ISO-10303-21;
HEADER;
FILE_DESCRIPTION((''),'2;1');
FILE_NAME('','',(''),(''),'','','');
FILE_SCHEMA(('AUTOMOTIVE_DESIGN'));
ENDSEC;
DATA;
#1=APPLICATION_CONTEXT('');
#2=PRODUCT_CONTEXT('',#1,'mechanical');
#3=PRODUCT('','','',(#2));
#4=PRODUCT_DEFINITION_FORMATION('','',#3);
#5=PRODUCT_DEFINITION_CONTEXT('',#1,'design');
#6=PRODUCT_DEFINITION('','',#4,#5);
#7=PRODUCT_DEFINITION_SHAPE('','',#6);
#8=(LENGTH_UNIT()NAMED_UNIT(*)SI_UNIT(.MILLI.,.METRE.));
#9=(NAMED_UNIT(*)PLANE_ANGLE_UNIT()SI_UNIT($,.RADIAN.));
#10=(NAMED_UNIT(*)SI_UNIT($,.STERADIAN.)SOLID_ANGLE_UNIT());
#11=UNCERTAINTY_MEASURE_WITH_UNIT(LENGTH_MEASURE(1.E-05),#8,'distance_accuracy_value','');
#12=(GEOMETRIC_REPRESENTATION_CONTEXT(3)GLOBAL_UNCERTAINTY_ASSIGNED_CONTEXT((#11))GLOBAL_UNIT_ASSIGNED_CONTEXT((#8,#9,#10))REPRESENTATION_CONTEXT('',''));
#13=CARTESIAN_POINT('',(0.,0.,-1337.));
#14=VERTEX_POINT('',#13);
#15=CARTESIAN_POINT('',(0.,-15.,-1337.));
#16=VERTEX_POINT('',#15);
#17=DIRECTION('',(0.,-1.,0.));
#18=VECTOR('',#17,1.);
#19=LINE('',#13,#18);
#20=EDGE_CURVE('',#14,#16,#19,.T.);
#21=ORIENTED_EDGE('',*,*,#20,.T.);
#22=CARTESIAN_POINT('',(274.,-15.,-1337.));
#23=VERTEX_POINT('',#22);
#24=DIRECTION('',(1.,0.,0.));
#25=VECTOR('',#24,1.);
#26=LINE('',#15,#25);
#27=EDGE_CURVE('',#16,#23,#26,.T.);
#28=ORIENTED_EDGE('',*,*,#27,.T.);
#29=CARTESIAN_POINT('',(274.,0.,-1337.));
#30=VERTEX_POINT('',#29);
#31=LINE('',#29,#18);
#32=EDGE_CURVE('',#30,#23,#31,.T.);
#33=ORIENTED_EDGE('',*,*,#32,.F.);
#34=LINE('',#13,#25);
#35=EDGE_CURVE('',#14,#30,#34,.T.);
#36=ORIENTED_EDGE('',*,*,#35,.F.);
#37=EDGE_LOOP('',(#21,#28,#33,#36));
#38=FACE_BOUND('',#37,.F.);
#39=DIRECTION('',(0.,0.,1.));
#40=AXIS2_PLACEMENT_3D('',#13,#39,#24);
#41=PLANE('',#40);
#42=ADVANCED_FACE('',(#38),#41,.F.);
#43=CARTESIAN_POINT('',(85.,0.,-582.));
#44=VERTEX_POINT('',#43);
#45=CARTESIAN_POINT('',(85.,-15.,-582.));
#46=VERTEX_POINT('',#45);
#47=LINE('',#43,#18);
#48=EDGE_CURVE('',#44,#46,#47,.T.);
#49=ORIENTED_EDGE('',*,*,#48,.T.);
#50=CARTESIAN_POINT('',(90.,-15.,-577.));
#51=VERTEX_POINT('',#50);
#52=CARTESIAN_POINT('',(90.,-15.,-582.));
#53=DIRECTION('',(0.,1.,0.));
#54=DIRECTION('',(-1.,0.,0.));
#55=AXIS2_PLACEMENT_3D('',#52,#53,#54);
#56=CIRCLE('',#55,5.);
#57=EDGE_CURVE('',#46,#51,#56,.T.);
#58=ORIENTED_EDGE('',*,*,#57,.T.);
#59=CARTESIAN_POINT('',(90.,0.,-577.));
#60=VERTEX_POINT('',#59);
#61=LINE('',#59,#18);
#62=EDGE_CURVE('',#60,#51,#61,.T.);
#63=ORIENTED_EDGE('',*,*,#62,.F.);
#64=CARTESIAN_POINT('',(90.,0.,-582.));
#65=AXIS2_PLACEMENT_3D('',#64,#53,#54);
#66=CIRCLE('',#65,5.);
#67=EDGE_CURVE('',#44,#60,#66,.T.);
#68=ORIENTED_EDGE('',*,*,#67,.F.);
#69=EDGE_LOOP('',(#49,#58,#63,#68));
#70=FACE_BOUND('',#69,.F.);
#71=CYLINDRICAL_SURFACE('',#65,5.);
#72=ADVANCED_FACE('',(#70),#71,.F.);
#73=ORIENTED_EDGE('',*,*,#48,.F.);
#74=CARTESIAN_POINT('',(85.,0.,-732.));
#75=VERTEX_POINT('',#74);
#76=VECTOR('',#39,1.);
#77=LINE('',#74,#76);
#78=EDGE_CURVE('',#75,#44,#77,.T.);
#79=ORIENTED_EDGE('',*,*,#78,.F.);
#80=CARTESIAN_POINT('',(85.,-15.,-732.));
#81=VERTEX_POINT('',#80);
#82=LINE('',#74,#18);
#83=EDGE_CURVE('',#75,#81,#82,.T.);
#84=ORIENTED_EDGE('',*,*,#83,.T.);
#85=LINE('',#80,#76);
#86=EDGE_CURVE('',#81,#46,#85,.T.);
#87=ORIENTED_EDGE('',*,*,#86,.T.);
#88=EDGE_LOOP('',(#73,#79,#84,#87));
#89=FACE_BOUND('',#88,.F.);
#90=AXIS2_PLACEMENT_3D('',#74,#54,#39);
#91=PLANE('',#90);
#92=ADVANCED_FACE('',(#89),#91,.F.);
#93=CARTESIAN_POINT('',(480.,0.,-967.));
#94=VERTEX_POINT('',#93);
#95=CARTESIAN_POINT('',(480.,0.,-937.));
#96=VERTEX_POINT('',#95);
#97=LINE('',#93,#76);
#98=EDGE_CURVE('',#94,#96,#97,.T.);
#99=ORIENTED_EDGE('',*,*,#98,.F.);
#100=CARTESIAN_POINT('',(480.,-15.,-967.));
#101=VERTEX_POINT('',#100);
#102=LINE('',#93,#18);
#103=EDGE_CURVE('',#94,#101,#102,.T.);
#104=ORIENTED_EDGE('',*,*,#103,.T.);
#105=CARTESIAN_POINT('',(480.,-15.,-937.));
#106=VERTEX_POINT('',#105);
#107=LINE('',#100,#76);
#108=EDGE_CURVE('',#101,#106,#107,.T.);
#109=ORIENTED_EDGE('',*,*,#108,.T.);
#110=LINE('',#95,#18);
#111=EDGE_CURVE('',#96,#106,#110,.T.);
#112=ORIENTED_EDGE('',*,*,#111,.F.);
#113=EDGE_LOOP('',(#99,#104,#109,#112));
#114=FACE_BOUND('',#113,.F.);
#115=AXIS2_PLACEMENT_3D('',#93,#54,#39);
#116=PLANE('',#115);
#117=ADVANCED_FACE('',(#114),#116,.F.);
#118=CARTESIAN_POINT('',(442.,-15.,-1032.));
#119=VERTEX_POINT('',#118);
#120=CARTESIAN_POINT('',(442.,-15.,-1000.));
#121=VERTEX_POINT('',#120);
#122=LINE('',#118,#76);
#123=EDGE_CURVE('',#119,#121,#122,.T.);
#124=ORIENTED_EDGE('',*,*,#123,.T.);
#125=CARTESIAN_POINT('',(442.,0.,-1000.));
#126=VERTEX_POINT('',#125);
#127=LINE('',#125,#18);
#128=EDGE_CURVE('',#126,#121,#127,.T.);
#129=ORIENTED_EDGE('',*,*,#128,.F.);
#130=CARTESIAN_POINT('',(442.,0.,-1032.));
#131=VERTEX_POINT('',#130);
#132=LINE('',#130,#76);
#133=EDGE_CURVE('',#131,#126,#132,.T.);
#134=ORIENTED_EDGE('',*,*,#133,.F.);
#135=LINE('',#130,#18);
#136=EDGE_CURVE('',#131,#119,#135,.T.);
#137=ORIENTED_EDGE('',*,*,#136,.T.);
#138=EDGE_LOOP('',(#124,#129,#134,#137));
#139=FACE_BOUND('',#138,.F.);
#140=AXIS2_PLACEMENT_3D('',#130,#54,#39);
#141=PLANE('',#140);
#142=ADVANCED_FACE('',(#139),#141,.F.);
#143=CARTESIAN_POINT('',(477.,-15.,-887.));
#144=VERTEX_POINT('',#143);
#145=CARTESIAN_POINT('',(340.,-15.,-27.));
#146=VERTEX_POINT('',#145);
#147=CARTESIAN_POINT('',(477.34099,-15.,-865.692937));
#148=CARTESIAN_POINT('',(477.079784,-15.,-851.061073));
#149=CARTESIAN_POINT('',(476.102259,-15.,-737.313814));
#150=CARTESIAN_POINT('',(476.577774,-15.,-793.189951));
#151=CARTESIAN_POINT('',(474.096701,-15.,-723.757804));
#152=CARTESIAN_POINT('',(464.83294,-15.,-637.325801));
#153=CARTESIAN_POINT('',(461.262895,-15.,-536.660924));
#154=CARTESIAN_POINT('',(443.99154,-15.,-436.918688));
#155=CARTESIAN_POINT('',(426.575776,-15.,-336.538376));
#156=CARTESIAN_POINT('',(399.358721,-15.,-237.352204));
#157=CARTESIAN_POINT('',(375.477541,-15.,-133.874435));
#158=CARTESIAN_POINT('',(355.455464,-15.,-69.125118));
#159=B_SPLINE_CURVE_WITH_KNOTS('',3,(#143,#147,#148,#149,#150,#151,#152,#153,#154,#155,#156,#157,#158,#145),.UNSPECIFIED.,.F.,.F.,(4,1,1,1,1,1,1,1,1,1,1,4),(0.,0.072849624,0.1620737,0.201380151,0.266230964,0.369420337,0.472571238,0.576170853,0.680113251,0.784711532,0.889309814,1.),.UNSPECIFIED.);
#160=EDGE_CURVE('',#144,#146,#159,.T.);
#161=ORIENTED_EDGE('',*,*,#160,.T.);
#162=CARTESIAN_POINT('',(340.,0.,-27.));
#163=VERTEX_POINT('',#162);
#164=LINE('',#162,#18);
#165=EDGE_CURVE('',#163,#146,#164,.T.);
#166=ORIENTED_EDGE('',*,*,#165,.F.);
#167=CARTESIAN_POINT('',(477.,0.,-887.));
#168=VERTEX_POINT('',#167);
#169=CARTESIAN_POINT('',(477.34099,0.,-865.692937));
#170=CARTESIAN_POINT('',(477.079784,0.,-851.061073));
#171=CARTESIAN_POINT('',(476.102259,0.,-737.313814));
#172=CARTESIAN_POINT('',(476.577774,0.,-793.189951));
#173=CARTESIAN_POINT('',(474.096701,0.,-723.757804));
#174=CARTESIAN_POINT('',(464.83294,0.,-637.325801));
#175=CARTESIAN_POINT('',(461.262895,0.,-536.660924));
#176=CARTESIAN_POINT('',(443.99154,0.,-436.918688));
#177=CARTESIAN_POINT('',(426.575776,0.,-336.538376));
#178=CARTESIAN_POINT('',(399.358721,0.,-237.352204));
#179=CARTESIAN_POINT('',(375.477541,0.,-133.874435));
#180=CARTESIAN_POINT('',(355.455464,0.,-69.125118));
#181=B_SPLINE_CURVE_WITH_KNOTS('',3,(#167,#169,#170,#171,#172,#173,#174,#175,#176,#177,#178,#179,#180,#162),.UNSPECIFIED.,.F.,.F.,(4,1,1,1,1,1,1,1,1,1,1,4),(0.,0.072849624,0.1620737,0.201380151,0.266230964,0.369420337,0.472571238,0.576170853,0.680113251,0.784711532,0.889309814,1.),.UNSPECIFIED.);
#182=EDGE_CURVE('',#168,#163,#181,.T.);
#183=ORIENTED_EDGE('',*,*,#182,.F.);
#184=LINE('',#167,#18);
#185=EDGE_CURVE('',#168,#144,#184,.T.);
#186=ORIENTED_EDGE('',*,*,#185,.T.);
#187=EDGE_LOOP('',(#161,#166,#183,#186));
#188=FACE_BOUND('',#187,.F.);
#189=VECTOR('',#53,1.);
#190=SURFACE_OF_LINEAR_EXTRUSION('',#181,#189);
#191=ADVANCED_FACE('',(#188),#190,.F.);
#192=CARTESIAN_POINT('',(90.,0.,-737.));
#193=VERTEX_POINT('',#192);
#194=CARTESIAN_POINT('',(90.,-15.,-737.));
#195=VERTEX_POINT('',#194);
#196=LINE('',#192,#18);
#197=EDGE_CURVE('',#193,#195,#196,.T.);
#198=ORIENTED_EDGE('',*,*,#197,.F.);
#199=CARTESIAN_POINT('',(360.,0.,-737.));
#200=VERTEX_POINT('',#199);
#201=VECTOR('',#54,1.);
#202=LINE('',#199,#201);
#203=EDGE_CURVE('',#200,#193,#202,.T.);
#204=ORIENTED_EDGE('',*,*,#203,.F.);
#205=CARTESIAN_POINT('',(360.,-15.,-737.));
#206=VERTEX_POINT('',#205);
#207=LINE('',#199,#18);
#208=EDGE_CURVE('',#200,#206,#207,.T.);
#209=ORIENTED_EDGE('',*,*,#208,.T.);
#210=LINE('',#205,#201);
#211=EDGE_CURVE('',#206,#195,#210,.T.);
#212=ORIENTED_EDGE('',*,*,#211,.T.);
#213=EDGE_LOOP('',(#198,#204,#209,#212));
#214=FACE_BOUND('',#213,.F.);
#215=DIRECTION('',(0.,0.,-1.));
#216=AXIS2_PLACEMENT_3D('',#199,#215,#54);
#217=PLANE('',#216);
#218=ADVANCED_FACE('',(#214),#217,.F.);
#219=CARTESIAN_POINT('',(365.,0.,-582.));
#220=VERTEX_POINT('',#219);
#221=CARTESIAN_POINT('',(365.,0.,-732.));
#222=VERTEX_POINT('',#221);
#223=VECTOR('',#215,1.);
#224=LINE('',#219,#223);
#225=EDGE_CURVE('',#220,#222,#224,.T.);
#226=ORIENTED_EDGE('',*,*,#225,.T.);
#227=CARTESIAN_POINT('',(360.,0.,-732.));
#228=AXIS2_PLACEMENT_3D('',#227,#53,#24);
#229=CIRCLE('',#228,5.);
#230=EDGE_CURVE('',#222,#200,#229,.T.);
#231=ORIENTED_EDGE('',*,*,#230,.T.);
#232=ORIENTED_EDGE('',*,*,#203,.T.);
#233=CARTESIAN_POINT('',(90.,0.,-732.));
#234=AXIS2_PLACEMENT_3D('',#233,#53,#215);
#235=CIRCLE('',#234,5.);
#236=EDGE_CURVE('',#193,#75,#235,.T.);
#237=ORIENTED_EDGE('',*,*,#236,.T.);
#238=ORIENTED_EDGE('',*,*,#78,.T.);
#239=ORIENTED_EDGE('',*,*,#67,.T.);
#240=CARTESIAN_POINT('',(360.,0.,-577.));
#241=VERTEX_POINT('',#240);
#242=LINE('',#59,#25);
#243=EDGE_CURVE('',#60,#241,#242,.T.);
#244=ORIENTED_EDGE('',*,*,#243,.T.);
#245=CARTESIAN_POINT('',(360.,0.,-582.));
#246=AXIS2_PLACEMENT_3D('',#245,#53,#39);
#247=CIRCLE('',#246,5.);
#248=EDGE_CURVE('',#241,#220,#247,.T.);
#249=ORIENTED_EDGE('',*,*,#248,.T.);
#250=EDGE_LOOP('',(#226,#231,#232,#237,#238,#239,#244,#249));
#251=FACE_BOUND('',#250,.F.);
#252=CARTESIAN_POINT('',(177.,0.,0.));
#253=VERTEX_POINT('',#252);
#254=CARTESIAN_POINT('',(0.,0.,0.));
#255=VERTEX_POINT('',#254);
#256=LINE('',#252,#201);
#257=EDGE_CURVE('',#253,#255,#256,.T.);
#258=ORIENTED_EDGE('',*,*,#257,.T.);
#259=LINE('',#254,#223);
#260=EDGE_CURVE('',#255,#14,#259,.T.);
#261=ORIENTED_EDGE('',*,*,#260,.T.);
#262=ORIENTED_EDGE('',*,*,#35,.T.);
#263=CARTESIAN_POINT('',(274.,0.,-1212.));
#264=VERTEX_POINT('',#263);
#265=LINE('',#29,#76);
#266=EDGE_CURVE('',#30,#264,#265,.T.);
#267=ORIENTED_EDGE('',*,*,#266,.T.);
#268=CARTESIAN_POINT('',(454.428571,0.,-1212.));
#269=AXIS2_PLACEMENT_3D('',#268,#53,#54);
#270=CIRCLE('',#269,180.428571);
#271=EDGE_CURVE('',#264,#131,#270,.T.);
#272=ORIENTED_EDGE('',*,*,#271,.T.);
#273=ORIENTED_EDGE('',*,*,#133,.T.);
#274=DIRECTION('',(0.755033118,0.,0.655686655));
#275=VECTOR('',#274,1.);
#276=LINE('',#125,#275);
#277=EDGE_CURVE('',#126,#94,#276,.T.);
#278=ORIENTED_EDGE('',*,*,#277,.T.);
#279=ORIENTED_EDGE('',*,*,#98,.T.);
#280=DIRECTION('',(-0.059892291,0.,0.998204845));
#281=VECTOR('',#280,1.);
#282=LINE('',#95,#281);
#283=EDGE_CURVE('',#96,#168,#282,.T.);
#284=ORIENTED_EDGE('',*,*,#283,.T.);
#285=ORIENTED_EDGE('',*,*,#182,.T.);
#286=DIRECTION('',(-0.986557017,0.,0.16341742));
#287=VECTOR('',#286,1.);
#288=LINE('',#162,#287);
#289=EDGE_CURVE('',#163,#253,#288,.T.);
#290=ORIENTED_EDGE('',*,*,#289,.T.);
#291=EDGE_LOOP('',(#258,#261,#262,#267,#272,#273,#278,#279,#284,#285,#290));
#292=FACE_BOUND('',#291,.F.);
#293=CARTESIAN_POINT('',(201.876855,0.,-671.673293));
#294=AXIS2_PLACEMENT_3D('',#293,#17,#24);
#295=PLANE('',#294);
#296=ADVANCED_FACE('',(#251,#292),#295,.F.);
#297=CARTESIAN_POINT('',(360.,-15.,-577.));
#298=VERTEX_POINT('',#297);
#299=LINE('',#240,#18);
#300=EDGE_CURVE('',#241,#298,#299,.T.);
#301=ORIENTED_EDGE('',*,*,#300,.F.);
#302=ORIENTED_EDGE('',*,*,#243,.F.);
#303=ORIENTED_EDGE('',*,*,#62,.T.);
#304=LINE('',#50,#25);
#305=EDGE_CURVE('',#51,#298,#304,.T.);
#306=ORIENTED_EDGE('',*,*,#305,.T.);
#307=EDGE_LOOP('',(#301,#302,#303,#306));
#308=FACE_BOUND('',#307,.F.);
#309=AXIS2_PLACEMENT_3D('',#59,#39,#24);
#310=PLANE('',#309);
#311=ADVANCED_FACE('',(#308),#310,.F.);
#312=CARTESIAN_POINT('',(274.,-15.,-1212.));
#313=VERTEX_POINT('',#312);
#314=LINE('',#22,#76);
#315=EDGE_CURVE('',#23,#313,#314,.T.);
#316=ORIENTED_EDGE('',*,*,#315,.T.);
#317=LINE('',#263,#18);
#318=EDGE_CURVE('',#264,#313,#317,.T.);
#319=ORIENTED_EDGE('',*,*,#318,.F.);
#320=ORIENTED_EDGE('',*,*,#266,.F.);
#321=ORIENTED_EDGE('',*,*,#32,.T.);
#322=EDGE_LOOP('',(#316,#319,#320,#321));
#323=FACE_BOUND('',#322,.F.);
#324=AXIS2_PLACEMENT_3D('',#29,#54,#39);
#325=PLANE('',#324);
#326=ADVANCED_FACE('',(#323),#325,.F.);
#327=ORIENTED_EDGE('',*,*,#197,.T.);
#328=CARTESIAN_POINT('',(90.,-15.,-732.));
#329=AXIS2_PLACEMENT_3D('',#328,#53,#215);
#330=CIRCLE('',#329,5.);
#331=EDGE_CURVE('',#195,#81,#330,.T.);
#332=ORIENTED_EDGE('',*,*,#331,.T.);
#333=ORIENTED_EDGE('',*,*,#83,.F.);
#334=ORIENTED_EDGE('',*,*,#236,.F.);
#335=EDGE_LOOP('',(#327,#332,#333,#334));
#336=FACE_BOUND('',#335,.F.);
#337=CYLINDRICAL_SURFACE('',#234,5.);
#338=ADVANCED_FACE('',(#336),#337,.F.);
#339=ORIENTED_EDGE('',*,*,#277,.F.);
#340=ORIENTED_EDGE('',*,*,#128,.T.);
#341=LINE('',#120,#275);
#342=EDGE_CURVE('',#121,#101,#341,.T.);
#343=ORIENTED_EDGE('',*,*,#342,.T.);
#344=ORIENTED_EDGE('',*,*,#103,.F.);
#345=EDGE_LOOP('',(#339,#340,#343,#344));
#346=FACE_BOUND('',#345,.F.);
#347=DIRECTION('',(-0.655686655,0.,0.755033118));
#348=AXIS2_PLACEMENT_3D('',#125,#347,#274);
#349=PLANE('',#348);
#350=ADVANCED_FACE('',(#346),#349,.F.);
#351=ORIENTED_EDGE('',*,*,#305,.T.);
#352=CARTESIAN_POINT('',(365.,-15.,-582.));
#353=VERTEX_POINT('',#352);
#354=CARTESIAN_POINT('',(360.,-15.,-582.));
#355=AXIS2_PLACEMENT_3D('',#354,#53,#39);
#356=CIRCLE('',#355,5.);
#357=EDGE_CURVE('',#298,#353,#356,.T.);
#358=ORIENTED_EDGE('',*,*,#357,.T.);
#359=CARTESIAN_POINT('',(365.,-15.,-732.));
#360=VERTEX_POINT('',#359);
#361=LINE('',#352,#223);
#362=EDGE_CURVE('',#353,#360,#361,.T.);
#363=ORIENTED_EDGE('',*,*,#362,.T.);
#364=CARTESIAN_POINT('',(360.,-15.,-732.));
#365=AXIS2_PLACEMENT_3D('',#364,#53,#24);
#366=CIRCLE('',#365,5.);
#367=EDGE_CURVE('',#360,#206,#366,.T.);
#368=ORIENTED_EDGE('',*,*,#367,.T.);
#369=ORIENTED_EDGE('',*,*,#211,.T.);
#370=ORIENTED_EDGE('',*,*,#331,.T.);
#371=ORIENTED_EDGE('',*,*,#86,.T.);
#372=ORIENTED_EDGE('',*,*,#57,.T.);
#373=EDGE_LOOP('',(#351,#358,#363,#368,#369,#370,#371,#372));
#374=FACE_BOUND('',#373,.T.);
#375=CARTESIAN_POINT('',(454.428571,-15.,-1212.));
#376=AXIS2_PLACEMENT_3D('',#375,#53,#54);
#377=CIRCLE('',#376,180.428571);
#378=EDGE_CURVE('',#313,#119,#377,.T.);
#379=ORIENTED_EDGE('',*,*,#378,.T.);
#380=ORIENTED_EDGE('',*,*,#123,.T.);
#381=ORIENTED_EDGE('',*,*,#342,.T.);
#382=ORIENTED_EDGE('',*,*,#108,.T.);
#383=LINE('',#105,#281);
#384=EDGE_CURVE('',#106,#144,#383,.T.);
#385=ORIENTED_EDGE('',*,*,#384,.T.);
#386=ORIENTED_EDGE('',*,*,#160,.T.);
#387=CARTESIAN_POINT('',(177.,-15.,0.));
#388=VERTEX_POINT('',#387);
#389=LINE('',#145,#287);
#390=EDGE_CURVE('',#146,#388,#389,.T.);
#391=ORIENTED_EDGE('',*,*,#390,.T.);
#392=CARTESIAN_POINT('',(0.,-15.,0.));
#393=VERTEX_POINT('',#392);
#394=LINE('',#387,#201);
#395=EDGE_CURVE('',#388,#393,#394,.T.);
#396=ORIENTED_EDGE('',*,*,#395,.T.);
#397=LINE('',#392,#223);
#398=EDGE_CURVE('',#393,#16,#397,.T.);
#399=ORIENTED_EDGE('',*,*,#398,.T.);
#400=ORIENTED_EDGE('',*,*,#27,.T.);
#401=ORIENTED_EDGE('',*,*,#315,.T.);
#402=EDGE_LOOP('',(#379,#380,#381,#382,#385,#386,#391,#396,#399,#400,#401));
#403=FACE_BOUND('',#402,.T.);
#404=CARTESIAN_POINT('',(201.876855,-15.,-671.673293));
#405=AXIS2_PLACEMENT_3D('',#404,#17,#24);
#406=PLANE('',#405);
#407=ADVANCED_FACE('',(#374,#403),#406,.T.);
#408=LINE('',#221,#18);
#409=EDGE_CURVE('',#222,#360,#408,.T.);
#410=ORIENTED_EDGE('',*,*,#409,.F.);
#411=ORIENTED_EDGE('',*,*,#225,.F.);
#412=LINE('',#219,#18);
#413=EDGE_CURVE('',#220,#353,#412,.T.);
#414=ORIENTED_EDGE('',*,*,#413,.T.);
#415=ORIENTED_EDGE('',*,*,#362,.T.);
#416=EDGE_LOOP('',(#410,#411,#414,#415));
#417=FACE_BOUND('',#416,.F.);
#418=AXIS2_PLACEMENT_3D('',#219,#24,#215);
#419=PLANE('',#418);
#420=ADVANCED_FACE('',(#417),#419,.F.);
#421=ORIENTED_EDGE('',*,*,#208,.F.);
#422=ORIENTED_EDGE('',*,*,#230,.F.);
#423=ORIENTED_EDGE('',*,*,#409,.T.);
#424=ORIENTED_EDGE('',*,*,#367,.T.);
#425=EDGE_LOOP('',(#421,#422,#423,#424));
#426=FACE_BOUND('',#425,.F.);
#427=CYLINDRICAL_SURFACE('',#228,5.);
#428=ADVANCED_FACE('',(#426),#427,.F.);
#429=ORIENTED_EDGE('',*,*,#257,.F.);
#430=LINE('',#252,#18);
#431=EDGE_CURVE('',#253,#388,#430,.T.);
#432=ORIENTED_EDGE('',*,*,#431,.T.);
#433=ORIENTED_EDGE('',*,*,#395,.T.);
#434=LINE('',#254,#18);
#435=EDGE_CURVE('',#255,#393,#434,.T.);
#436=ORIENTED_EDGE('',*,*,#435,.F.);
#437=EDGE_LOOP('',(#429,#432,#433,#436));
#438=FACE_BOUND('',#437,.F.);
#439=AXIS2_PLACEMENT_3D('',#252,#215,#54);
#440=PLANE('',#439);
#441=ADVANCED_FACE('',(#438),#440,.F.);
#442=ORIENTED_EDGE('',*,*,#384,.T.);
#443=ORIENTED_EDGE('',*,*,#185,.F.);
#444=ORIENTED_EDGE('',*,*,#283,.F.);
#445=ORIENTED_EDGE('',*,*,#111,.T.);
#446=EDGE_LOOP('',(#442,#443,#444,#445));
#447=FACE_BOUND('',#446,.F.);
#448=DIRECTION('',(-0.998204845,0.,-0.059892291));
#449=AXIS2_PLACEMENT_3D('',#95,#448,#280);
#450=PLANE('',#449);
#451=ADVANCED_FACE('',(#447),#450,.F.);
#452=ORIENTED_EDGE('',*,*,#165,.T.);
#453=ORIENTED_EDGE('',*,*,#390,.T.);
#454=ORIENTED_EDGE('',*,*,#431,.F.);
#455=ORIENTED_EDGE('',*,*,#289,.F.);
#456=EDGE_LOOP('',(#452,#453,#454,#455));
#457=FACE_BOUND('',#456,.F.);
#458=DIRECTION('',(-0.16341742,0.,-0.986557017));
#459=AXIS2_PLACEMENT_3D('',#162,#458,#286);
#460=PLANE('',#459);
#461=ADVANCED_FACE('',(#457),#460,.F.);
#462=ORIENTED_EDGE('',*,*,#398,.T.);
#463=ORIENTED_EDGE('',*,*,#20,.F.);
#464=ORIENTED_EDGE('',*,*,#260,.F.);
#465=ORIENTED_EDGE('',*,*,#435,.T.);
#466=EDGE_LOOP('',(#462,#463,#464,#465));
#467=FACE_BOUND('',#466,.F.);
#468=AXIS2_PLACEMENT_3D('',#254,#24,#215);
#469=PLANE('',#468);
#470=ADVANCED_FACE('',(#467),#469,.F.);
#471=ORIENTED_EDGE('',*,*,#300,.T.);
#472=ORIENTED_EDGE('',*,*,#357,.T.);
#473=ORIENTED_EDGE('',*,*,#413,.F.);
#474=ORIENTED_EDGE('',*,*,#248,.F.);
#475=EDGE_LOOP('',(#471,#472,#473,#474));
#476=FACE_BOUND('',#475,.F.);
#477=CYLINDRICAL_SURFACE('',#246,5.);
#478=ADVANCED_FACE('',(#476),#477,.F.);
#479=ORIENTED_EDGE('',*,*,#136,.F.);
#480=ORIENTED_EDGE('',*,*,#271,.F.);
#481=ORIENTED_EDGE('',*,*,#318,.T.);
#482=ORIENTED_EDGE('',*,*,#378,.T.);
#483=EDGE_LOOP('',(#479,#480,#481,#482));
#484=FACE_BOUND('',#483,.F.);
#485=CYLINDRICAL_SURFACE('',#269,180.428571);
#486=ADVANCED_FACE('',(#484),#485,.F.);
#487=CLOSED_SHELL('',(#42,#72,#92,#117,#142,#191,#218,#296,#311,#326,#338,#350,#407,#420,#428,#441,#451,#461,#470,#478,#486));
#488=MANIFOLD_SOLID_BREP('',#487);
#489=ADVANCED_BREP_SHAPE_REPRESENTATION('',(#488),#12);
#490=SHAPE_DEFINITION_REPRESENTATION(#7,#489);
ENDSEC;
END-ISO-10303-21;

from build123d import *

# Parameters (mm, degrees)
F1_DEPTH = 15


with BuildPart() as f1:
    # F0 (on Front) → F1 (new body)
    with BuildSketch(Plane.XZ):
        with BuildLine():
            Line((177, 0), (0, 0))
            Line((0, 0), (0, -1337))
            Line((0, -1337), (274, -1337))
            Line((274, -1337), (274, -1212))
            ThreePointArc((274, -1212), (322.5253137442, -1088.8902928279), (442, -1032))
            Line((442, -1032), (442, -1000))
            Line((442, -1000), (480, -967))
            Line((480, -967), (480, -937))
            Line((480, -937), (477, -887))
            add(Edge.make_bspline(
                [(477, -887), (477.3409901345, -865.6929372181), (477.0797844675, -851.0610734518), (476.1022594588, -737.3138139423), (476.5777735361, -793.1899508202), (474.0967013355, -723.7578035301), (464.8329395432, -637.3258006514), (461.2628948716, -536.660924146), (443.9915396348, -436.9186876346), (426.5757756979, -336.5383755873), (399.3587210867, -237.3522036261), (375.4775408132, -133.8744354339), (355.455463807, -69.1251180104), (340, -27)],
                knots=[0, 0, 0, 0, 0.0728496243, 0.1620736999, 0.2013801511, 0.2662309643, 0.3694203367, 0.4725712376, 0.576170853, 0.6801132511, 0.7847115324, 0.8893098137, 1, 1, 1, 1], degree=3))
            Line((340, -27), (177, 0))
        make_face()
        with BuildLine():
            ThreePointArc((85, -582), (86.4644660941, -578.4644660941), (90, -577))
            Line((90, -577), (360, -577))
            ThreePointArc((360, -577), (363.5355339059, -578.4644660941), (365, -582))
            Line((365, -582), (365, -732))
            ThreePointArc((365, -732), (363.5355339059, -735.5355339059), (360, -737))
            Line((360, -737), (90, -737))
            ThreePointArc((90, -737), (86.4644660941, -735.5355339059), (85, -732))
            Line((85, -732), (85, -582))
        make_face(mode=Mode.SUBTRACT)
    extrude(amount=F1_DEPTH)


solid = f1.part
